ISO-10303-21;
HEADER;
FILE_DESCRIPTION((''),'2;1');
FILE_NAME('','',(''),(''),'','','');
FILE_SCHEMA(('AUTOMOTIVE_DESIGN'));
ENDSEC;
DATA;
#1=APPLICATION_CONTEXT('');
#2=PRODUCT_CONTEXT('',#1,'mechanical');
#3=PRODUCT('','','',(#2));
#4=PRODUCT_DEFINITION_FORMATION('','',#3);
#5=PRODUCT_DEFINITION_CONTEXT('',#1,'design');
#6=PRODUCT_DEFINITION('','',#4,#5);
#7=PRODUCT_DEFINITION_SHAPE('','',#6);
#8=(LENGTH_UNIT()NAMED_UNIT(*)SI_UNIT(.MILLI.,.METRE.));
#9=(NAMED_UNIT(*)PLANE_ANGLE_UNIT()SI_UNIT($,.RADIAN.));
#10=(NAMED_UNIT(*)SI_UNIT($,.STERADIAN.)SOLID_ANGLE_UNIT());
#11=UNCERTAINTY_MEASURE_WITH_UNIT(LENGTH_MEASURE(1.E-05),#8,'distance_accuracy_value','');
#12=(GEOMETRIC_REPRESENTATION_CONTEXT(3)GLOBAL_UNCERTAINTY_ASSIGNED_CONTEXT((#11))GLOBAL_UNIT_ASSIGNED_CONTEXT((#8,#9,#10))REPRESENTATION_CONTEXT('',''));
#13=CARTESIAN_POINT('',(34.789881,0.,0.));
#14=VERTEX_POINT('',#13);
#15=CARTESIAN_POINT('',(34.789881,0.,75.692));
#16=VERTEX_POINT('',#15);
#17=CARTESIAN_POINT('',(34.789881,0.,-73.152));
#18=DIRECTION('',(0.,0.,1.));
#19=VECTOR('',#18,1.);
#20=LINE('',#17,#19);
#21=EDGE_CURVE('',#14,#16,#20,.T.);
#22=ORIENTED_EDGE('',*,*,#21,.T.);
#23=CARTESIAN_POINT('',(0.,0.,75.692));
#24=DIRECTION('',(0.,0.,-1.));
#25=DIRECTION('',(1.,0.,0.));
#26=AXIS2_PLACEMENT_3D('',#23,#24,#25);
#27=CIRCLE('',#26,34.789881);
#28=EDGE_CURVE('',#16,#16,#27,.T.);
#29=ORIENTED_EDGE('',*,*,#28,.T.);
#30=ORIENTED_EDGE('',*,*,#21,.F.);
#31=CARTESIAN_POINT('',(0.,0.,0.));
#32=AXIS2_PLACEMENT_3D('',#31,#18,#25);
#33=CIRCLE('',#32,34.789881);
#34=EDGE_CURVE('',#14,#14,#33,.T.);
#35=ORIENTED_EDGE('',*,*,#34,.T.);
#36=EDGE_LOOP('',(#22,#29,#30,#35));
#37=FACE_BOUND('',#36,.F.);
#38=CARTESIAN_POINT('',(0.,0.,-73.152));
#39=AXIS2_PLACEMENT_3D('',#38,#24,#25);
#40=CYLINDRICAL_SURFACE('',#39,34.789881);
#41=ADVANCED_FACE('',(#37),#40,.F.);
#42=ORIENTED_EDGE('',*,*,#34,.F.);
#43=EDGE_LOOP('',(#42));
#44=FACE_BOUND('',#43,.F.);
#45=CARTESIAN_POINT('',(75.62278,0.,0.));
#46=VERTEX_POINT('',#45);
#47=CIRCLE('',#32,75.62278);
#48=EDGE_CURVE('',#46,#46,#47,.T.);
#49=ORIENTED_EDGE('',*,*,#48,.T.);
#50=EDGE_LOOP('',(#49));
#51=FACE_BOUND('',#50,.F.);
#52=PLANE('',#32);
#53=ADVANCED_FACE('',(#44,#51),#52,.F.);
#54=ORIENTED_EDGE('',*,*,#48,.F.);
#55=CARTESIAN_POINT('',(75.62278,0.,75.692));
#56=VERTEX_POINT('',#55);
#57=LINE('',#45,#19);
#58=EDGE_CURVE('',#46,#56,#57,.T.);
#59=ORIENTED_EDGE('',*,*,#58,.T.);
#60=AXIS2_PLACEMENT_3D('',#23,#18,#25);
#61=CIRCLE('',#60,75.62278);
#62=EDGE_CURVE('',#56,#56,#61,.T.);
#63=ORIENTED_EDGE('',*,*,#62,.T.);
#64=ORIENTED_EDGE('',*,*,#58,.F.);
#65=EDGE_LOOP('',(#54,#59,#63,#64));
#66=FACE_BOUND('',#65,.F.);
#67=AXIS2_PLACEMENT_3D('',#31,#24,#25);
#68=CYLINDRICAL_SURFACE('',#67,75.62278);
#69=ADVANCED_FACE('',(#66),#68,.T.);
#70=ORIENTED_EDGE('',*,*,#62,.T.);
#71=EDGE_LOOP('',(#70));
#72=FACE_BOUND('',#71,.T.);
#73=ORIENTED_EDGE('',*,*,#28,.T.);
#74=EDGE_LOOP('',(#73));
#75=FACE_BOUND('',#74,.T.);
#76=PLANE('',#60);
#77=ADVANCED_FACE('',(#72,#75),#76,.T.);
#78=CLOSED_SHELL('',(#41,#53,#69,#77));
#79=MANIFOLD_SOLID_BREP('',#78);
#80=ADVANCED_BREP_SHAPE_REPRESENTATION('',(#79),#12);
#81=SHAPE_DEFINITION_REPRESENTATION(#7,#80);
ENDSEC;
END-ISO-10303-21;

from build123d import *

# Parameters (mm, degrees)
F0_R      = 75.62278
F1_DEPTH  = 75.692
F2_R      = 34.789881
F3_DEPTH  = 148.844
F3_FACE_R = 34.789881
F4_DEPTH  = 287.274


with BuildPart() as f1:
    # F0 (on Top) → F1 (new body)
    with BuildSketch(Plane.XY):
        Circle(F0_R)
    extrude(amount=F1_DEPTH)

    # F2 (on face) → F3 (join)
    with BuildSketch(Plane.XY.offset(75.692)):
        Circle(F2_R)
    extrude(amount=-F3_DEPTH)

    # F3_face (on face) → F4 (cut)
    with BuildSketch(Plane(origin=(0, 0, -73.152), x_dir=(1, 0, 0), z_dir=(0, 0, -1))):
        Circle(F3_FACE_R)
    extrude(amount=-F4_DEPTH, mode=Mode.SUBTRACT)


solid = f1.part
